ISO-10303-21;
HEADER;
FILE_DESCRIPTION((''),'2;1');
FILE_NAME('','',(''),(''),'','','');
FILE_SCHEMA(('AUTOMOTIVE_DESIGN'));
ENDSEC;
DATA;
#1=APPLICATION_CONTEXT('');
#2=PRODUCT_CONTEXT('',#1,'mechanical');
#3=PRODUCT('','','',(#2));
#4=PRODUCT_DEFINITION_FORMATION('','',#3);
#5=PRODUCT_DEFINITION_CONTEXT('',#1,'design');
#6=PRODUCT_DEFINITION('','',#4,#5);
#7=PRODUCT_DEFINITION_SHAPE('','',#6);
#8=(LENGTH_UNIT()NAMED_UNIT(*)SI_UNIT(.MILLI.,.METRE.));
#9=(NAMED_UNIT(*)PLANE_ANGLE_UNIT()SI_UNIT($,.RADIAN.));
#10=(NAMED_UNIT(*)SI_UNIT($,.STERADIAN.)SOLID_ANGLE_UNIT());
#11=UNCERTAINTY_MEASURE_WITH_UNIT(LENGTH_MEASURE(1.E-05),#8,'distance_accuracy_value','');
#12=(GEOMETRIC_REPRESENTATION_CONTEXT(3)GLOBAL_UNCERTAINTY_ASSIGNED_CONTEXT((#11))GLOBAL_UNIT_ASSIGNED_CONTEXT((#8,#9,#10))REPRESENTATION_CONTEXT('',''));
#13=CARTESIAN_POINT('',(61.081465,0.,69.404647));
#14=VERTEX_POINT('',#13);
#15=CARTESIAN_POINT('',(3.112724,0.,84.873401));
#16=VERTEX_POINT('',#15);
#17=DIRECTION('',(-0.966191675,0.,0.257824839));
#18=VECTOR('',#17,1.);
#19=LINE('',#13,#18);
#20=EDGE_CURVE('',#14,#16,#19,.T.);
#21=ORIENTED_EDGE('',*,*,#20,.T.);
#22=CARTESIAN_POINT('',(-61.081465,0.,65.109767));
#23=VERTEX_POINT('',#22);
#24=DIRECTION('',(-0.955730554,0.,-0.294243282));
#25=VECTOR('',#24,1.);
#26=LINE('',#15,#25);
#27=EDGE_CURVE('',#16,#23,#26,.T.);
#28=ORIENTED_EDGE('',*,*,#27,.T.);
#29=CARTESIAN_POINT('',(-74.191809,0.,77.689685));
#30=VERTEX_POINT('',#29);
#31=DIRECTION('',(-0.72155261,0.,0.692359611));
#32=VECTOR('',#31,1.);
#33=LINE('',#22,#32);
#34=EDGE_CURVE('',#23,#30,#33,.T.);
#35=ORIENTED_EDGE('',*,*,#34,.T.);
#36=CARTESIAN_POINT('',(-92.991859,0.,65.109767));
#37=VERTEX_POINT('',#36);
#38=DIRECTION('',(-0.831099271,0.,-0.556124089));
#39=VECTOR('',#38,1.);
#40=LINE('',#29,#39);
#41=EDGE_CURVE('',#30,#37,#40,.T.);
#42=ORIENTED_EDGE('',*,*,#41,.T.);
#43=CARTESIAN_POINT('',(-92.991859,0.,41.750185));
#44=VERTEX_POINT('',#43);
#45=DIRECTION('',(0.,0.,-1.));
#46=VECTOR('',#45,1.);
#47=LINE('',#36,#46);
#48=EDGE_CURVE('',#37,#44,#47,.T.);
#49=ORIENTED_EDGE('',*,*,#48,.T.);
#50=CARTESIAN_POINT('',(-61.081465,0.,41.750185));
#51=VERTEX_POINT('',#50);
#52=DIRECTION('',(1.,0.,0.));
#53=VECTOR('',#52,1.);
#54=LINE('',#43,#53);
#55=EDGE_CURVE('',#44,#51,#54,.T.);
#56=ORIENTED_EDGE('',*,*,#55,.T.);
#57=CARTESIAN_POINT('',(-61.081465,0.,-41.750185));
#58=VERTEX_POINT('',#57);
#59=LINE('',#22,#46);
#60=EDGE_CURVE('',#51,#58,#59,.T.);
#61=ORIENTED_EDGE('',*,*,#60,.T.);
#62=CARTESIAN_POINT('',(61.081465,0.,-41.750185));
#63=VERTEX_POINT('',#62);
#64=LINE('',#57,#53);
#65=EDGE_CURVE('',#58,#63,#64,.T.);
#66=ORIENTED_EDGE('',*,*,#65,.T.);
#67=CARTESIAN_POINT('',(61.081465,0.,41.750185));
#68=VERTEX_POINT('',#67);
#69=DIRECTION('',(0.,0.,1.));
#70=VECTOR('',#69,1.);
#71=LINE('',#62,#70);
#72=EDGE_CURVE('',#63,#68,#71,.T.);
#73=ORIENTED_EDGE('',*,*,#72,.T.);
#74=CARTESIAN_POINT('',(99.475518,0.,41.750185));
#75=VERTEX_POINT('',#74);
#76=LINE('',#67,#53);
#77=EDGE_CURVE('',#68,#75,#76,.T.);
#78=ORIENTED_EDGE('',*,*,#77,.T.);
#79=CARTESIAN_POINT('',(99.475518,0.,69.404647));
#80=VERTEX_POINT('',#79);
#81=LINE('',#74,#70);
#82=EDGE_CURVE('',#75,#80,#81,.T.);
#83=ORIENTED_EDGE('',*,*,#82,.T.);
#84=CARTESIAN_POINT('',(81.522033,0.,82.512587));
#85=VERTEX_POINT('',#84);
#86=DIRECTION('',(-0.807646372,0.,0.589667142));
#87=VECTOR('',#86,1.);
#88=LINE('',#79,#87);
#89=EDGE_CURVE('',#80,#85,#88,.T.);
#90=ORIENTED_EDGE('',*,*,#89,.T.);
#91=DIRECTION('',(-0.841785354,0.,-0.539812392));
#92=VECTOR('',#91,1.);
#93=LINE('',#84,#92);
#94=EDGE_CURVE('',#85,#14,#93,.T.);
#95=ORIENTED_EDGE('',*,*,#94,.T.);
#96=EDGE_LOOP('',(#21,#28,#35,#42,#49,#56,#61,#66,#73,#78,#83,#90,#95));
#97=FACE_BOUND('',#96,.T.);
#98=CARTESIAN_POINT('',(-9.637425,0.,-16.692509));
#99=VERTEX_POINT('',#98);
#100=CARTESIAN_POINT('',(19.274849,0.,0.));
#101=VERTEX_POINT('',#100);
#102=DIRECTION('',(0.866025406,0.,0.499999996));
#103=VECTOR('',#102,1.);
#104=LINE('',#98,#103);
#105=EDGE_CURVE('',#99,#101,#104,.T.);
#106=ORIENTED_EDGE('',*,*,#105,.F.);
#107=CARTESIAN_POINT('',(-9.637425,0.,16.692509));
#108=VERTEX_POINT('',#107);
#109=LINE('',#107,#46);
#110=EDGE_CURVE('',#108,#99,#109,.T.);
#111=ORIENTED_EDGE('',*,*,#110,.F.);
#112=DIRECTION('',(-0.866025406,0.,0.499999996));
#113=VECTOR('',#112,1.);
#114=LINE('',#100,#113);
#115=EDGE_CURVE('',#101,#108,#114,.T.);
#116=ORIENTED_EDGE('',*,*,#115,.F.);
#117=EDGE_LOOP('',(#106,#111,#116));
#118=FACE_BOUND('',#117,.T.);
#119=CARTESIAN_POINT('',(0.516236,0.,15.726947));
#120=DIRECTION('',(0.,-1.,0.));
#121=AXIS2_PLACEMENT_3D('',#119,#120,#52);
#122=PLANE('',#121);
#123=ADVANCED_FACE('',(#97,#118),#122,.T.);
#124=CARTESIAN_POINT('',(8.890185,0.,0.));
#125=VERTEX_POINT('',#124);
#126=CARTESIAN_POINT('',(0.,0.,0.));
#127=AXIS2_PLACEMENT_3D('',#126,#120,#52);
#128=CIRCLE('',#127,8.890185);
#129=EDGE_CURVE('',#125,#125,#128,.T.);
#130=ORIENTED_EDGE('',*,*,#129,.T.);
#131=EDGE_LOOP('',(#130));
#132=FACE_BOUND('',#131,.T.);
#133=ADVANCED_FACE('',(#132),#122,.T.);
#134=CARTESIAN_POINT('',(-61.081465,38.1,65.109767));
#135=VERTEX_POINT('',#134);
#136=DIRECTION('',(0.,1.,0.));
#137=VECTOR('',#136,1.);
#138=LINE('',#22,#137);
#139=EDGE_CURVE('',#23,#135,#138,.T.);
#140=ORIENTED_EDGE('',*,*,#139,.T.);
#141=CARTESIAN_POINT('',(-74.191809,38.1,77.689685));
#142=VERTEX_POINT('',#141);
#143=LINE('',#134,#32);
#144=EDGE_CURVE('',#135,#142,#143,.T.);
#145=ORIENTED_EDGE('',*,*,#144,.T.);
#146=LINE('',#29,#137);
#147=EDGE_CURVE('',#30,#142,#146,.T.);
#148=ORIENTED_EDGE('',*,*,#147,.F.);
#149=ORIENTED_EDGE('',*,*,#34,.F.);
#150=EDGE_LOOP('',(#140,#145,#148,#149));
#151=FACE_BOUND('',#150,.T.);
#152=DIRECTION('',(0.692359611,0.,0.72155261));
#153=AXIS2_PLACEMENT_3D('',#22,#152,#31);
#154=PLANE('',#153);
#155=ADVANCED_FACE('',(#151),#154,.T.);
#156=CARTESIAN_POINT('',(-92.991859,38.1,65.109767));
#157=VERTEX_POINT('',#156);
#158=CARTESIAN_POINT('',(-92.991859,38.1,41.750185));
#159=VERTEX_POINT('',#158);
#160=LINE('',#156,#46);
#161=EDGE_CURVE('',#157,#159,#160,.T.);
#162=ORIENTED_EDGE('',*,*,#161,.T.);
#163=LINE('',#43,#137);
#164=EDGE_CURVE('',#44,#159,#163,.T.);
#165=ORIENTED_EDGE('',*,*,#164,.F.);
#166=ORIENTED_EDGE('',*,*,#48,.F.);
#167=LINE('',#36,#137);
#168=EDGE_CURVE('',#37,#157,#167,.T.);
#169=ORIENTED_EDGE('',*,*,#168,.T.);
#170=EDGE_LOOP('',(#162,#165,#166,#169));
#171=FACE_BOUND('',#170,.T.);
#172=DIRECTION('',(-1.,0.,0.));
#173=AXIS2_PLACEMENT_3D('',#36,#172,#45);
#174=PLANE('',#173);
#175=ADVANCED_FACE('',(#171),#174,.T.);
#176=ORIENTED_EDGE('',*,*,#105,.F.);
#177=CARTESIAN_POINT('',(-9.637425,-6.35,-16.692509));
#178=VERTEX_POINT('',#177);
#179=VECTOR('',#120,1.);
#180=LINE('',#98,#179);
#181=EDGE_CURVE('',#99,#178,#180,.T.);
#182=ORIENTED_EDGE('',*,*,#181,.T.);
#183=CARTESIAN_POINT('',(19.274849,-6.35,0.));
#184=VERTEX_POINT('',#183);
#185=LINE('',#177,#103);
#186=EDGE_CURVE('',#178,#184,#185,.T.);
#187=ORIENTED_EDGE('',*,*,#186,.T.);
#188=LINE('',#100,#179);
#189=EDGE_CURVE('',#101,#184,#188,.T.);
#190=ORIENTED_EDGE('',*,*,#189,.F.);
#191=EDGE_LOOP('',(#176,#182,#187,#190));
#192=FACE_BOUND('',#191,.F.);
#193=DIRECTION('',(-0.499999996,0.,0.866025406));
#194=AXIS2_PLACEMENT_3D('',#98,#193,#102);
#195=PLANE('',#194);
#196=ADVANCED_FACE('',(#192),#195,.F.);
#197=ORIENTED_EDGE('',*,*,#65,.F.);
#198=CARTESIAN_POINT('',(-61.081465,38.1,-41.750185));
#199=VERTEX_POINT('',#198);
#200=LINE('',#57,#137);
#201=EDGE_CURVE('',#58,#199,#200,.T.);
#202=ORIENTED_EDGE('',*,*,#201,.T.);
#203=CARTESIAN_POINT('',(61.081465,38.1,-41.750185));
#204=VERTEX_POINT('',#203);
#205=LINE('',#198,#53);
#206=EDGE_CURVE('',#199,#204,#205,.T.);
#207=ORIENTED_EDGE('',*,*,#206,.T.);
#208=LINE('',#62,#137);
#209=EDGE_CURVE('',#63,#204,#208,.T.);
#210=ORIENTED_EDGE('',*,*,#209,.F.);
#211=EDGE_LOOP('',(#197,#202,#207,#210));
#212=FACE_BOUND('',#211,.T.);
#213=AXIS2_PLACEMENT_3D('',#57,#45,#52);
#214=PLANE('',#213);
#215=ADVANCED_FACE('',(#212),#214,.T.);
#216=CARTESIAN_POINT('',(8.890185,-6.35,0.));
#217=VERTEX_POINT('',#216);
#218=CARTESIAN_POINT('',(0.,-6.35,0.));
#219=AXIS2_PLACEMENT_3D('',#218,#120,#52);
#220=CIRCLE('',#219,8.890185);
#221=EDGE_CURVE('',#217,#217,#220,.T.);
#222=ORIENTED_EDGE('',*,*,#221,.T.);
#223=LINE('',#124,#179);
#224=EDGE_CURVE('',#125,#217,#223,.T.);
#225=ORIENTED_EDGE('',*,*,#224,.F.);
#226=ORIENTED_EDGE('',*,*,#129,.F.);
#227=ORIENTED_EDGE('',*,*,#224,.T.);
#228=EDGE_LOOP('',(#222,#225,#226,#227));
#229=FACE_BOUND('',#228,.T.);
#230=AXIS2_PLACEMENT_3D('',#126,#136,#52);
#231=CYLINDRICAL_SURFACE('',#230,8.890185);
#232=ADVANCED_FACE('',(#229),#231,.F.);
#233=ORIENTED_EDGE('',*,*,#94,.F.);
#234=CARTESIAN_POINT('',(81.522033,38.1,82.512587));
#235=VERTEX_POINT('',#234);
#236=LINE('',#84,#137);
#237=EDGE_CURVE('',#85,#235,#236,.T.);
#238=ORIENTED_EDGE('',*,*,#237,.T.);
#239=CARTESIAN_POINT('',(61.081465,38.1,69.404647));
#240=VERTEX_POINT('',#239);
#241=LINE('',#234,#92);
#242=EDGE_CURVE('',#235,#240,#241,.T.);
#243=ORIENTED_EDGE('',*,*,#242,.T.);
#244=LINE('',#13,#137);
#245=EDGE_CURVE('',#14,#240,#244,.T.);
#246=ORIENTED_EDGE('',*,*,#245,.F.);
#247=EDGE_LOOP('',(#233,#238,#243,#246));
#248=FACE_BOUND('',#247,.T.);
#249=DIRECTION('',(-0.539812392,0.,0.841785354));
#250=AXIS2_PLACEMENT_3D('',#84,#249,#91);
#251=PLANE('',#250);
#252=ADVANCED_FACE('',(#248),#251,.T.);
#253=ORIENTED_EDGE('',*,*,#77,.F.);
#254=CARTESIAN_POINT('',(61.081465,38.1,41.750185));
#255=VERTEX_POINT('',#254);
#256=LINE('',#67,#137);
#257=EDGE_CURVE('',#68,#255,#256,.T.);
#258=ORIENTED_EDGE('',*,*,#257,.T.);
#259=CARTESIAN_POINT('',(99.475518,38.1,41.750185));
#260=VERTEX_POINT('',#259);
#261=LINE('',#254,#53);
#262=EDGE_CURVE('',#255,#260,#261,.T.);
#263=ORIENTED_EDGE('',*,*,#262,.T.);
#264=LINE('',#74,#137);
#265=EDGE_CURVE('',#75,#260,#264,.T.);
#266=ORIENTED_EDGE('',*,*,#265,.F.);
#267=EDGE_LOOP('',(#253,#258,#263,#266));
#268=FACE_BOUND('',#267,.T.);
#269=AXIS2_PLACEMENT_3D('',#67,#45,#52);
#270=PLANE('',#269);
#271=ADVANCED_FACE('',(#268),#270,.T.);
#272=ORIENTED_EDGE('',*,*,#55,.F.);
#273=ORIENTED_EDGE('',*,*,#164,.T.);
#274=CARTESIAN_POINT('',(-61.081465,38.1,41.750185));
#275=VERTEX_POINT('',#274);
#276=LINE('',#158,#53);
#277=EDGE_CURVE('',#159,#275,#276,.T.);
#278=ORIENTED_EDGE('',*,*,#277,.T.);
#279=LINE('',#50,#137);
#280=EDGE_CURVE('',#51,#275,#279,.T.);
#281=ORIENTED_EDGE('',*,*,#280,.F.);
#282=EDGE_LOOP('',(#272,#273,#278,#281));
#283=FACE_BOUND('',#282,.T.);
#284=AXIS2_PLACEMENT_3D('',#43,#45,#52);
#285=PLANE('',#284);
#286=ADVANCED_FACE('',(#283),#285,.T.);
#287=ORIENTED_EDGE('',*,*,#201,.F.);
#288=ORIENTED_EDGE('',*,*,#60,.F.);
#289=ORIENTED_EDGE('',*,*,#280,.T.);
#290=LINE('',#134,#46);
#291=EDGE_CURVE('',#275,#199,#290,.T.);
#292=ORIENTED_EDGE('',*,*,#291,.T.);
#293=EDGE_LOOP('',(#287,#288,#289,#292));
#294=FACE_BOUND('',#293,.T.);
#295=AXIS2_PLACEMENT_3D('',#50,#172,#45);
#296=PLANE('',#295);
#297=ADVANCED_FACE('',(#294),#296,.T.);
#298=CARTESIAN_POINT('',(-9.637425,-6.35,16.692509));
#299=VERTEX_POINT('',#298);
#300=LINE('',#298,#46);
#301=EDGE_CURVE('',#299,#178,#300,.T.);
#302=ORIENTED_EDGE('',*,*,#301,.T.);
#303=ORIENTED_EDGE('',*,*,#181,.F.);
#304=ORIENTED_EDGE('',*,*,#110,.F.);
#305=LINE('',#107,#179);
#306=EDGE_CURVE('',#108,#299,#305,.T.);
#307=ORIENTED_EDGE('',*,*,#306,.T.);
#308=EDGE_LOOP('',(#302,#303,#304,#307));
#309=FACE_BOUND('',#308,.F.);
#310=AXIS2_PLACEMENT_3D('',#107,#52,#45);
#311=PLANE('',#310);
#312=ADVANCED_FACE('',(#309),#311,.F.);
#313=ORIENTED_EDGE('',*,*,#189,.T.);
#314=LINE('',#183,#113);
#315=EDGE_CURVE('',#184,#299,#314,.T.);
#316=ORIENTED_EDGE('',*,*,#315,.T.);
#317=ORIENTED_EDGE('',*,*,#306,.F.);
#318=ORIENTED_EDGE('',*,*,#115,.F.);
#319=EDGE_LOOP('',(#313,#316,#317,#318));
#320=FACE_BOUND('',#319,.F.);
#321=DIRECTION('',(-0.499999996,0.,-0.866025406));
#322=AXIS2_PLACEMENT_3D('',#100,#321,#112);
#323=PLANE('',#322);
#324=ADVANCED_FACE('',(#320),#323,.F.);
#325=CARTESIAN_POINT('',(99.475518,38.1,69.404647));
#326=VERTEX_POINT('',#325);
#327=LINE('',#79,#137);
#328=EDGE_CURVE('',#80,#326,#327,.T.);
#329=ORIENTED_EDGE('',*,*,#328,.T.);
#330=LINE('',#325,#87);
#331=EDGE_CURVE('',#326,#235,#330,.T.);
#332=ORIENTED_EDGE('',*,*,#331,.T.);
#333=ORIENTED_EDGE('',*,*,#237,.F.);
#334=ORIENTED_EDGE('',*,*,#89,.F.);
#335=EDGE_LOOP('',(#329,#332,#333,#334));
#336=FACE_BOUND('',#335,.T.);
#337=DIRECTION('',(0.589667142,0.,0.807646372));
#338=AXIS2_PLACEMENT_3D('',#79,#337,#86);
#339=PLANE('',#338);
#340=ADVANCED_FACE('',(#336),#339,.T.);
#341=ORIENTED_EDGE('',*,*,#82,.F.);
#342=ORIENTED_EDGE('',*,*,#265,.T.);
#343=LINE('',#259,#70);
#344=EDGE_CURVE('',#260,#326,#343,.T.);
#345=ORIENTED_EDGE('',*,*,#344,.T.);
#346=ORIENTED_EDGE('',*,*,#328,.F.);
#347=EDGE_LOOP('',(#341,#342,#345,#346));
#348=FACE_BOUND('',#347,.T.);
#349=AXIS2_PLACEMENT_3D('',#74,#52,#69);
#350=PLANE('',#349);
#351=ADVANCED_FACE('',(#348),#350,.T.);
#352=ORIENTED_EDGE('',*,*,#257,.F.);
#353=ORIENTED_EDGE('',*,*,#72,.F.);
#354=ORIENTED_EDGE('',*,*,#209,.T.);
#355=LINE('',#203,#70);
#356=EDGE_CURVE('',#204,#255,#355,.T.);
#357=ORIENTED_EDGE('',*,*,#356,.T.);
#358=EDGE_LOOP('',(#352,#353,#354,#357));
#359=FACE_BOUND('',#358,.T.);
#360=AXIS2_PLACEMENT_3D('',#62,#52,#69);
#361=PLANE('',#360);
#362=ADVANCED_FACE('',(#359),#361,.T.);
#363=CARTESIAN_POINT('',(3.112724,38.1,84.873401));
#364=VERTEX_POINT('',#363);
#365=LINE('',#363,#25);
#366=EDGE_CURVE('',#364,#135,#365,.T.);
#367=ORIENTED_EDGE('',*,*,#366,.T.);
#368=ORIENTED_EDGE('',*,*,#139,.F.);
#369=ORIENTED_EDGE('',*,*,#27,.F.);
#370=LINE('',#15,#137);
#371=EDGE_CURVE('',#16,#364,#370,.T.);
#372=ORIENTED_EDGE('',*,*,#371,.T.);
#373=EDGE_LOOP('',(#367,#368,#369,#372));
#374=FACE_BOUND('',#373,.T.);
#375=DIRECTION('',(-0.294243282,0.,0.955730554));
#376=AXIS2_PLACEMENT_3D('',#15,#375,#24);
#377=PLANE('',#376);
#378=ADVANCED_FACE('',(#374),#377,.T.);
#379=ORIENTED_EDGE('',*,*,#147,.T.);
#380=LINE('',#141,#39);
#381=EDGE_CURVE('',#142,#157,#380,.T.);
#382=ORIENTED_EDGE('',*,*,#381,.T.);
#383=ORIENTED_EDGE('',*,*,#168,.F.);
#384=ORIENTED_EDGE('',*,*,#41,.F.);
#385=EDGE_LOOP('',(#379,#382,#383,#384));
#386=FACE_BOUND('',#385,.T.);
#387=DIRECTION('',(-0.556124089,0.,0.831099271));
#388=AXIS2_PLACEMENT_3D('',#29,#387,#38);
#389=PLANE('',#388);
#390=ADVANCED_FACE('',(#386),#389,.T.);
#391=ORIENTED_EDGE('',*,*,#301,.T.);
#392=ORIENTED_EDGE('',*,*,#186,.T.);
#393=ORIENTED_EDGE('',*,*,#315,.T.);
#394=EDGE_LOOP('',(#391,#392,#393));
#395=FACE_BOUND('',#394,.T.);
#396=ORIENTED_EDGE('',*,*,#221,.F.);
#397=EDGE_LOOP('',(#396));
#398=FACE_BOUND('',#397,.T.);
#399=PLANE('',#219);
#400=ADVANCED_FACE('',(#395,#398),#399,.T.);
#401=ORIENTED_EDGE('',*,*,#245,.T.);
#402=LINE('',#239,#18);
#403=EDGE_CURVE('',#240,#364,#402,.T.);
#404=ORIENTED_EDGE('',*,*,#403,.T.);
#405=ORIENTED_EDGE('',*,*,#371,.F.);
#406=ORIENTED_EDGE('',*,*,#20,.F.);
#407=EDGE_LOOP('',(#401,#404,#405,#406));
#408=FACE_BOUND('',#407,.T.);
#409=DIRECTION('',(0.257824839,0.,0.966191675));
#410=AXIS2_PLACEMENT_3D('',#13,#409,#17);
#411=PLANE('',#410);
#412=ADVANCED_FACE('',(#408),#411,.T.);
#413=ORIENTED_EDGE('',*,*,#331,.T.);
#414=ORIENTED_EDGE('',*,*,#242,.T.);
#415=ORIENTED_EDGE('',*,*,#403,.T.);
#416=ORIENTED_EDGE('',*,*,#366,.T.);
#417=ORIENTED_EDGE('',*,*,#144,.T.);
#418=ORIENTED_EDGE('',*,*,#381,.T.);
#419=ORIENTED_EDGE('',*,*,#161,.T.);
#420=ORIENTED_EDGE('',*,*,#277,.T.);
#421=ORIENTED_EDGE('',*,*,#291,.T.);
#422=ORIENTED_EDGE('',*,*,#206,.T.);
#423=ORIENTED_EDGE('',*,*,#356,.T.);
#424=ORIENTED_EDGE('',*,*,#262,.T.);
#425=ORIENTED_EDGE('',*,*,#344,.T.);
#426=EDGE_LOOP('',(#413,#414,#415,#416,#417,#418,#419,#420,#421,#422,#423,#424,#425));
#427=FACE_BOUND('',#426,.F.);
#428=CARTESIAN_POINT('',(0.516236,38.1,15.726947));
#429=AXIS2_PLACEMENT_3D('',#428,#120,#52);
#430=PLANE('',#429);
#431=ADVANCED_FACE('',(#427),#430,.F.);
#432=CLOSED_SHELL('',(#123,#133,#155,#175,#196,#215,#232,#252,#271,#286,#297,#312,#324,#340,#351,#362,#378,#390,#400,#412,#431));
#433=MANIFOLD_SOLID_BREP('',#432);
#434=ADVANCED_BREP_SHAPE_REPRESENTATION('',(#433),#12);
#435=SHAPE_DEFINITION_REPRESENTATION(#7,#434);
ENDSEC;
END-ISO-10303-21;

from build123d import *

# Parameters (mm, degrees)
F1_DEPTH = 38.1
F2_R     = 8.890185
F3_DEPTH = 6.35


with BuildPart() as f1:
    # F0 (on Front) → F1 (new body)
    with BuildSketch(Plane.XZ):
        Polygon((-61.081465, -41.750185), (61.081465, -41.750185), (61.081465, 41.750185), (61.081465, 69.404647), (3.112724, 84.873401), (-61.081465, 65.109767), (-61.081465, 41.750185), align=None)
        Polygon((61.081465, 69.404647), (61.081465, 41.750185), (99.475518, 41.750185), (99.475518, 69.404647), (81.522033, 82.512587), align=None)
        Polygon((-92.991859, 41.750185), (-61.081465, 41.750185), (-61.081465, 65.109767), (-74.191809, 77.689685), (-92.991859, 65.109767), align=None)
    extrude(amount=-F1_DEPTH)

    # F2 (on face) → F3 (join)
    with BuildSketch(Plane.XZ):
        Polygon((-9.637425, -16.692509), (19.274849, 0), (-9.637425, 16.692509), align=None)
        Circle(F2_R, mode=Mode.SUBTRACT)
    extrude(amount=F3_DEPTH)


solid = f1.part
